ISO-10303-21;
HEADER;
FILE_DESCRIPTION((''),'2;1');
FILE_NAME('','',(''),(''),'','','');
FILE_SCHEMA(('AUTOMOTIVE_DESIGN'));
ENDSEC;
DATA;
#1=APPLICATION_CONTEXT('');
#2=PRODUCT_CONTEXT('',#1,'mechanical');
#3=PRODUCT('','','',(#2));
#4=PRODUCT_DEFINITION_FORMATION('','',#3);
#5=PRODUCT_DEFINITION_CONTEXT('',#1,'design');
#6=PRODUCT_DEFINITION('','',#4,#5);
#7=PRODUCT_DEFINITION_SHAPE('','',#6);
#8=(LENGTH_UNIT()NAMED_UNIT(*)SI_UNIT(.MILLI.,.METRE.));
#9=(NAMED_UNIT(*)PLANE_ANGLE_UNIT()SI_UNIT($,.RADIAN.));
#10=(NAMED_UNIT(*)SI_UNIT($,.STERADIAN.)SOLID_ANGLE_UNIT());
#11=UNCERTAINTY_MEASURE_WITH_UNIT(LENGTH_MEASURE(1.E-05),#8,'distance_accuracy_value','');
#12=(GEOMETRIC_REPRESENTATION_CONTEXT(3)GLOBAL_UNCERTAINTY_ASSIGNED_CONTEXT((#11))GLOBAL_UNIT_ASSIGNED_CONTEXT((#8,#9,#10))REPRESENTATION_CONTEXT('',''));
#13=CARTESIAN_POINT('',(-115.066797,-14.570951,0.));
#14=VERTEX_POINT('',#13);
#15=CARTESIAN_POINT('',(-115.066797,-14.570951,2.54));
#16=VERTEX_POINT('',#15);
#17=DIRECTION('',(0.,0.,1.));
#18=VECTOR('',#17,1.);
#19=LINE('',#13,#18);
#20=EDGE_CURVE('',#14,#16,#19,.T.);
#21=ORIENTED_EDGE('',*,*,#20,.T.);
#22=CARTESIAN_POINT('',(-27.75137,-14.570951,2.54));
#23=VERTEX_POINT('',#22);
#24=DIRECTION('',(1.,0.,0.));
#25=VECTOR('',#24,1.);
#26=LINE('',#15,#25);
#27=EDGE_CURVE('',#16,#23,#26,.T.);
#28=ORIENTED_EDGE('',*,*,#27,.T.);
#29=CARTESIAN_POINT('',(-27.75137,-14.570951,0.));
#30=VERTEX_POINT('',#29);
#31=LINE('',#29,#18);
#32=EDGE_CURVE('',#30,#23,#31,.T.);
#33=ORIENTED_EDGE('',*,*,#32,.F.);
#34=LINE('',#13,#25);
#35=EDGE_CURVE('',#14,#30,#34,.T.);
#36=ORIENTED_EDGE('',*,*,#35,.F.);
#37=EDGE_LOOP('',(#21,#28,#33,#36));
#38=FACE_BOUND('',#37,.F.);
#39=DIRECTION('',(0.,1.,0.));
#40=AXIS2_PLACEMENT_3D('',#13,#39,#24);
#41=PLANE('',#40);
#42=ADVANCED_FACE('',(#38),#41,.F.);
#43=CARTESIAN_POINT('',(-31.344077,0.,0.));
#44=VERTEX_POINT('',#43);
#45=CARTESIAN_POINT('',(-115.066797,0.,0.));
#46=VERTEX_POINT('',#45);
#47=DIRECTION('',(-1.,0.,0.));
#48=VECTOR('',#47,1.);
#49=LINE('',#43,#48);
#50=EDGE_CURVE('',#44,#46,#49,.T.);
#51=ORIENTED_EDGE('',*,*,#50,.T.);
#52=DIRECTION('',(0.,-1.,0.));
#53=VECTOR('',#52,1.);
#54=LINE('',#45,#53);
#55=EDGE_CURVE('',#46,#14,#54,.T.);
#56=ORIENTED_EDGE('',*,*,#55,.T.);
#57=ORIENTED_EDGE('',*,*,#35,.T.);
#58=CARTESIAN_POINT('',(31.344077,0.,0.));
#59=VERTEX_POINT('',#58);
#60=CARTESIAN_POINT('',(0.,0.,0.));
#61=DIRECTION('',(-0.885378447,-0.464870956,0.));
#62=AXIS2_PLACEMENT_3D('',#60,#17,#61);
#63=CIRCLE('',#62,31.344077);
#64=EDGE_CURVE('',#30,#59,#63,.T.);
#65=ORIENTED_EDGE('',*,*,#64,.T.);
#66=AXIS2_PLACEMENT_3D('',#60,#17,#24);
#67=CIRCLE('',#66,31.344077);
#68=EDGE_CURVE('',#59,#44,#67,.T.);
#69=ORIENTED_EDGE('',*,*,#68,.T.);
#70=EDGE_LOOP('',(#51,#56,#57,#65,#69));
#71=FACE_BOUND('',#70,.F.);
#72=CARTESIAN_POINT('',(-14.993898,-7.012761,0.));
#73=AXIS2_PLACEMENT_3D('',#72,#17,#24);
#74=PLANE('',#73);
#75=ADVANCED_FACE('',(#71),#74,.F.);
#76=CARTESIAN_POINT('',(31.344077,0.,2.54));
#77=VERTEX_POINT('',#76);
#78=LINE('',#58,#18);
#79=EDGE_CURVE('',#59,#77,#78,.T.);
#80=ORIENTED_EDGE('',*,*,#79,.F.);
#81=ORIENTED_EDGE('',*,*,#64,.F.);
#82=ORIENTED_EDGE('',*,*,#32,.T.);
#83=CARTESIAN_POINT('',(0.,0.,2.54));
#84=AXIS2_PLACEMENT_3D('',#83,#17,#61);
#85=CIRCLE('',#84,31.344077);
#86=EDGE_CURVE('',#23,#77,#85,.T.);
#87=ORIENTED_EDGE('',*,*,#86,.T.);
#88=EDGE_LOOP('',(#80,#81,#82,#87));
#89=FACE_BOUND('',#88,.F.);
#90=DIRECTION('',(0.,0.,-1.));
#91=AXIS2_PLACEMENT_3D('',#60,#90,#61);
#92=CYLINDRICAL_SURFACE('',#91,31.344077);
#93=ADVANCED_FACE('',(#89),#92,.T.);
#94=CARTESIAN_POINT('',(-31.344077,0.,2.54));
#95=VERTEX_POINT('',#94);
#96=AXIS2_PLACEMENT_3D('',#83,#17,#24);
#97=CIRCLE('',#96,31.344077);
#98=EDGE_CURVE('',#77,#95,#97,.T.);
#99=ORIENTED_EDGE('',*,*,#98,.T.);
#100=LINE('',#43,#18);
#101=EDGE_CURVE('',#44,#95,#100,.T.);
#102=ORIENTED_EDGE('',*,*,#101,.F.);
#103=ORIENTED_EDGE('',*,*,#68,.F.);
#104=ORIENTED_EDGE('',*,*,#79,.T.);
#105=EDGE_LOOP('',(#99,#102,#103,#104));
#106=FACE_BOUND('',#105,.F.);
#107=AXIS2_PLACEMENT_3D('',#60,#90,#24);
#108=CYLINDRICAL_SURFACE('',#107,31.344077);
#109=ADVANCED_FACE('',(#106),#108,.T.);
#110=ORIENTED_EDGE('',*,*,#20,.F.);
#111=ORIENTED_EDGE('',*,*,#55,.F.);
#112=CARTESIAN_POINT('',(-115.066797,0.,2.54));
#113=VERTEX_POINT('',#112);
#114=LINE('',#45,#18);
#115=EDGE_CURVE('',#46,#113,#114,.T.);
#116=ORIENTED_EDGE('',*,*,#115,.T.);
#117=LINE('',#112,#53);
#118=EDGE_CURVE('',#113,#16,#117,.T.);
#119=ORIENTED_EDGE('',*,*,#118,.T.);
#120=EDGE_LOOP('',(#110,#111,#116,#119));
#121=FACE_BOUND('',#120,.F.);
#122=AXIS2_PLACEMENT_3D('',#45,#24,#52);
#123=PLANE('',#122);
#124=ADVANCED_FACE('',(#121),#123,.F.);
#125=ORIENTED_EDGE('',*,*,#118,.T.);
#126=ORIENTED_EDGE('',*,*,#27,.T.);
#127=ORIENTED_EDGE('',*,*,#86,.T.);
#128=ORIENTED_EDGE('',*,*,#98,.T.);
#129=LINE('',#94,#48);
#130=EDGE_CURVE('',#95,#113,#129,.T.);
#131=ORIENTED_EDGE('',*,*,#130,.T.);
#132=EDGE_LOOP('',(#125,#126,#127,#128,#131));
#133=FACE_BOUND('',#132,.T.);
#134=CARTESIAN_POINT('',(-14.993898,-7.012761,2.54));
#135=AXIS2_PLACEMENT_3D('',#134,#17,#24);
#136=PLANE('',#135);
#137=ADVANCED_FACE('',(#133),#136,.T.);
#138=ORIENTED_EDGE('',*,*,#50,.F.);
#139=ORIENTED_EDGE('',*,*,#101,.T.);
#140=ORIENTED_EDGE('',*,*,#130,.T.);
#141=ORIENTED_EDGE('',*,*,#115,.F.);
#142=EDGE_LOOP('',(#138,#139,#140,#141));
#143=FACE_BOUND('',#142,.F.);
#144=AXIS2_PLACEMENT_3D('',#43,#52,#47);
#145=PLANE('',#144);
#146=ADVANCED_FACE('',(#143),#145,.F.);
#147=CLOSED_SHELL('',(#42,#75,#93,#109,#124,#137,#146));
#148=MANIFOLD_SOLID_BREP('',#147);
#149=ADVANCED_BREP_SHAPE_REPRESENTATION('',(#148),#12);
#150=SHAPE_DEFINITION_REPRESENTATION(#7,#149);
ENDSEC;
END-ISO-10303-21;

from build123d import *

# Parameters (mm, degrees)
F1_DEPTH = 2.54
F2_DEPTH = 2.54


with BuildPart() as f1:
    # F0 (on Top) → F1 (new body)
    with BuildSketch(Plane.XY):
        with BuildLine():
            ThreePointArc((-27.75137, -14.570951), (-30.432649, -7.503668), (-31.344077, 0))
            Line((-31.344077, 0), (-115.066797, 0))
            Line((-115.066797, 0), (-115.066797, -14.570951))
            Line((-115.066797, -14.570951), (-27.75137, -14.570951))
        make_face()
    extrude(amount=F1_DEPTH)

    # F0 (on Top) → F2 (join)
    with BuildSketch(Plane.XY):
        with BuildLine():
            Line((0, 0), (-31.344077, 0))
            ThreePointArc((-31.344077, 0), (-30.432649, -7.503668), (-27.75137, -14.570951))
            Line((-27.75137, -14.570951), (0, -14.570951))
            Line((0, -14.570951), (0, 0))
        make_face()
        with BuildLine():
            ThreePointArc((-27.75137, -14.570951), (7.503668, -30.432649), (31.344077, 0))
            ThreePointArc((31.344077, 0), (0, 31.344077), (-31.344077, 0))
            Line((-31.344077, 0), (0, 0))
            Line((0, 0), (0, -14.570951))
            Line((0, -14.570951), (-27.75137, -14.570951))
        make_face()
    extrude(amount=F2_DEPTH)


solid = f1.part
